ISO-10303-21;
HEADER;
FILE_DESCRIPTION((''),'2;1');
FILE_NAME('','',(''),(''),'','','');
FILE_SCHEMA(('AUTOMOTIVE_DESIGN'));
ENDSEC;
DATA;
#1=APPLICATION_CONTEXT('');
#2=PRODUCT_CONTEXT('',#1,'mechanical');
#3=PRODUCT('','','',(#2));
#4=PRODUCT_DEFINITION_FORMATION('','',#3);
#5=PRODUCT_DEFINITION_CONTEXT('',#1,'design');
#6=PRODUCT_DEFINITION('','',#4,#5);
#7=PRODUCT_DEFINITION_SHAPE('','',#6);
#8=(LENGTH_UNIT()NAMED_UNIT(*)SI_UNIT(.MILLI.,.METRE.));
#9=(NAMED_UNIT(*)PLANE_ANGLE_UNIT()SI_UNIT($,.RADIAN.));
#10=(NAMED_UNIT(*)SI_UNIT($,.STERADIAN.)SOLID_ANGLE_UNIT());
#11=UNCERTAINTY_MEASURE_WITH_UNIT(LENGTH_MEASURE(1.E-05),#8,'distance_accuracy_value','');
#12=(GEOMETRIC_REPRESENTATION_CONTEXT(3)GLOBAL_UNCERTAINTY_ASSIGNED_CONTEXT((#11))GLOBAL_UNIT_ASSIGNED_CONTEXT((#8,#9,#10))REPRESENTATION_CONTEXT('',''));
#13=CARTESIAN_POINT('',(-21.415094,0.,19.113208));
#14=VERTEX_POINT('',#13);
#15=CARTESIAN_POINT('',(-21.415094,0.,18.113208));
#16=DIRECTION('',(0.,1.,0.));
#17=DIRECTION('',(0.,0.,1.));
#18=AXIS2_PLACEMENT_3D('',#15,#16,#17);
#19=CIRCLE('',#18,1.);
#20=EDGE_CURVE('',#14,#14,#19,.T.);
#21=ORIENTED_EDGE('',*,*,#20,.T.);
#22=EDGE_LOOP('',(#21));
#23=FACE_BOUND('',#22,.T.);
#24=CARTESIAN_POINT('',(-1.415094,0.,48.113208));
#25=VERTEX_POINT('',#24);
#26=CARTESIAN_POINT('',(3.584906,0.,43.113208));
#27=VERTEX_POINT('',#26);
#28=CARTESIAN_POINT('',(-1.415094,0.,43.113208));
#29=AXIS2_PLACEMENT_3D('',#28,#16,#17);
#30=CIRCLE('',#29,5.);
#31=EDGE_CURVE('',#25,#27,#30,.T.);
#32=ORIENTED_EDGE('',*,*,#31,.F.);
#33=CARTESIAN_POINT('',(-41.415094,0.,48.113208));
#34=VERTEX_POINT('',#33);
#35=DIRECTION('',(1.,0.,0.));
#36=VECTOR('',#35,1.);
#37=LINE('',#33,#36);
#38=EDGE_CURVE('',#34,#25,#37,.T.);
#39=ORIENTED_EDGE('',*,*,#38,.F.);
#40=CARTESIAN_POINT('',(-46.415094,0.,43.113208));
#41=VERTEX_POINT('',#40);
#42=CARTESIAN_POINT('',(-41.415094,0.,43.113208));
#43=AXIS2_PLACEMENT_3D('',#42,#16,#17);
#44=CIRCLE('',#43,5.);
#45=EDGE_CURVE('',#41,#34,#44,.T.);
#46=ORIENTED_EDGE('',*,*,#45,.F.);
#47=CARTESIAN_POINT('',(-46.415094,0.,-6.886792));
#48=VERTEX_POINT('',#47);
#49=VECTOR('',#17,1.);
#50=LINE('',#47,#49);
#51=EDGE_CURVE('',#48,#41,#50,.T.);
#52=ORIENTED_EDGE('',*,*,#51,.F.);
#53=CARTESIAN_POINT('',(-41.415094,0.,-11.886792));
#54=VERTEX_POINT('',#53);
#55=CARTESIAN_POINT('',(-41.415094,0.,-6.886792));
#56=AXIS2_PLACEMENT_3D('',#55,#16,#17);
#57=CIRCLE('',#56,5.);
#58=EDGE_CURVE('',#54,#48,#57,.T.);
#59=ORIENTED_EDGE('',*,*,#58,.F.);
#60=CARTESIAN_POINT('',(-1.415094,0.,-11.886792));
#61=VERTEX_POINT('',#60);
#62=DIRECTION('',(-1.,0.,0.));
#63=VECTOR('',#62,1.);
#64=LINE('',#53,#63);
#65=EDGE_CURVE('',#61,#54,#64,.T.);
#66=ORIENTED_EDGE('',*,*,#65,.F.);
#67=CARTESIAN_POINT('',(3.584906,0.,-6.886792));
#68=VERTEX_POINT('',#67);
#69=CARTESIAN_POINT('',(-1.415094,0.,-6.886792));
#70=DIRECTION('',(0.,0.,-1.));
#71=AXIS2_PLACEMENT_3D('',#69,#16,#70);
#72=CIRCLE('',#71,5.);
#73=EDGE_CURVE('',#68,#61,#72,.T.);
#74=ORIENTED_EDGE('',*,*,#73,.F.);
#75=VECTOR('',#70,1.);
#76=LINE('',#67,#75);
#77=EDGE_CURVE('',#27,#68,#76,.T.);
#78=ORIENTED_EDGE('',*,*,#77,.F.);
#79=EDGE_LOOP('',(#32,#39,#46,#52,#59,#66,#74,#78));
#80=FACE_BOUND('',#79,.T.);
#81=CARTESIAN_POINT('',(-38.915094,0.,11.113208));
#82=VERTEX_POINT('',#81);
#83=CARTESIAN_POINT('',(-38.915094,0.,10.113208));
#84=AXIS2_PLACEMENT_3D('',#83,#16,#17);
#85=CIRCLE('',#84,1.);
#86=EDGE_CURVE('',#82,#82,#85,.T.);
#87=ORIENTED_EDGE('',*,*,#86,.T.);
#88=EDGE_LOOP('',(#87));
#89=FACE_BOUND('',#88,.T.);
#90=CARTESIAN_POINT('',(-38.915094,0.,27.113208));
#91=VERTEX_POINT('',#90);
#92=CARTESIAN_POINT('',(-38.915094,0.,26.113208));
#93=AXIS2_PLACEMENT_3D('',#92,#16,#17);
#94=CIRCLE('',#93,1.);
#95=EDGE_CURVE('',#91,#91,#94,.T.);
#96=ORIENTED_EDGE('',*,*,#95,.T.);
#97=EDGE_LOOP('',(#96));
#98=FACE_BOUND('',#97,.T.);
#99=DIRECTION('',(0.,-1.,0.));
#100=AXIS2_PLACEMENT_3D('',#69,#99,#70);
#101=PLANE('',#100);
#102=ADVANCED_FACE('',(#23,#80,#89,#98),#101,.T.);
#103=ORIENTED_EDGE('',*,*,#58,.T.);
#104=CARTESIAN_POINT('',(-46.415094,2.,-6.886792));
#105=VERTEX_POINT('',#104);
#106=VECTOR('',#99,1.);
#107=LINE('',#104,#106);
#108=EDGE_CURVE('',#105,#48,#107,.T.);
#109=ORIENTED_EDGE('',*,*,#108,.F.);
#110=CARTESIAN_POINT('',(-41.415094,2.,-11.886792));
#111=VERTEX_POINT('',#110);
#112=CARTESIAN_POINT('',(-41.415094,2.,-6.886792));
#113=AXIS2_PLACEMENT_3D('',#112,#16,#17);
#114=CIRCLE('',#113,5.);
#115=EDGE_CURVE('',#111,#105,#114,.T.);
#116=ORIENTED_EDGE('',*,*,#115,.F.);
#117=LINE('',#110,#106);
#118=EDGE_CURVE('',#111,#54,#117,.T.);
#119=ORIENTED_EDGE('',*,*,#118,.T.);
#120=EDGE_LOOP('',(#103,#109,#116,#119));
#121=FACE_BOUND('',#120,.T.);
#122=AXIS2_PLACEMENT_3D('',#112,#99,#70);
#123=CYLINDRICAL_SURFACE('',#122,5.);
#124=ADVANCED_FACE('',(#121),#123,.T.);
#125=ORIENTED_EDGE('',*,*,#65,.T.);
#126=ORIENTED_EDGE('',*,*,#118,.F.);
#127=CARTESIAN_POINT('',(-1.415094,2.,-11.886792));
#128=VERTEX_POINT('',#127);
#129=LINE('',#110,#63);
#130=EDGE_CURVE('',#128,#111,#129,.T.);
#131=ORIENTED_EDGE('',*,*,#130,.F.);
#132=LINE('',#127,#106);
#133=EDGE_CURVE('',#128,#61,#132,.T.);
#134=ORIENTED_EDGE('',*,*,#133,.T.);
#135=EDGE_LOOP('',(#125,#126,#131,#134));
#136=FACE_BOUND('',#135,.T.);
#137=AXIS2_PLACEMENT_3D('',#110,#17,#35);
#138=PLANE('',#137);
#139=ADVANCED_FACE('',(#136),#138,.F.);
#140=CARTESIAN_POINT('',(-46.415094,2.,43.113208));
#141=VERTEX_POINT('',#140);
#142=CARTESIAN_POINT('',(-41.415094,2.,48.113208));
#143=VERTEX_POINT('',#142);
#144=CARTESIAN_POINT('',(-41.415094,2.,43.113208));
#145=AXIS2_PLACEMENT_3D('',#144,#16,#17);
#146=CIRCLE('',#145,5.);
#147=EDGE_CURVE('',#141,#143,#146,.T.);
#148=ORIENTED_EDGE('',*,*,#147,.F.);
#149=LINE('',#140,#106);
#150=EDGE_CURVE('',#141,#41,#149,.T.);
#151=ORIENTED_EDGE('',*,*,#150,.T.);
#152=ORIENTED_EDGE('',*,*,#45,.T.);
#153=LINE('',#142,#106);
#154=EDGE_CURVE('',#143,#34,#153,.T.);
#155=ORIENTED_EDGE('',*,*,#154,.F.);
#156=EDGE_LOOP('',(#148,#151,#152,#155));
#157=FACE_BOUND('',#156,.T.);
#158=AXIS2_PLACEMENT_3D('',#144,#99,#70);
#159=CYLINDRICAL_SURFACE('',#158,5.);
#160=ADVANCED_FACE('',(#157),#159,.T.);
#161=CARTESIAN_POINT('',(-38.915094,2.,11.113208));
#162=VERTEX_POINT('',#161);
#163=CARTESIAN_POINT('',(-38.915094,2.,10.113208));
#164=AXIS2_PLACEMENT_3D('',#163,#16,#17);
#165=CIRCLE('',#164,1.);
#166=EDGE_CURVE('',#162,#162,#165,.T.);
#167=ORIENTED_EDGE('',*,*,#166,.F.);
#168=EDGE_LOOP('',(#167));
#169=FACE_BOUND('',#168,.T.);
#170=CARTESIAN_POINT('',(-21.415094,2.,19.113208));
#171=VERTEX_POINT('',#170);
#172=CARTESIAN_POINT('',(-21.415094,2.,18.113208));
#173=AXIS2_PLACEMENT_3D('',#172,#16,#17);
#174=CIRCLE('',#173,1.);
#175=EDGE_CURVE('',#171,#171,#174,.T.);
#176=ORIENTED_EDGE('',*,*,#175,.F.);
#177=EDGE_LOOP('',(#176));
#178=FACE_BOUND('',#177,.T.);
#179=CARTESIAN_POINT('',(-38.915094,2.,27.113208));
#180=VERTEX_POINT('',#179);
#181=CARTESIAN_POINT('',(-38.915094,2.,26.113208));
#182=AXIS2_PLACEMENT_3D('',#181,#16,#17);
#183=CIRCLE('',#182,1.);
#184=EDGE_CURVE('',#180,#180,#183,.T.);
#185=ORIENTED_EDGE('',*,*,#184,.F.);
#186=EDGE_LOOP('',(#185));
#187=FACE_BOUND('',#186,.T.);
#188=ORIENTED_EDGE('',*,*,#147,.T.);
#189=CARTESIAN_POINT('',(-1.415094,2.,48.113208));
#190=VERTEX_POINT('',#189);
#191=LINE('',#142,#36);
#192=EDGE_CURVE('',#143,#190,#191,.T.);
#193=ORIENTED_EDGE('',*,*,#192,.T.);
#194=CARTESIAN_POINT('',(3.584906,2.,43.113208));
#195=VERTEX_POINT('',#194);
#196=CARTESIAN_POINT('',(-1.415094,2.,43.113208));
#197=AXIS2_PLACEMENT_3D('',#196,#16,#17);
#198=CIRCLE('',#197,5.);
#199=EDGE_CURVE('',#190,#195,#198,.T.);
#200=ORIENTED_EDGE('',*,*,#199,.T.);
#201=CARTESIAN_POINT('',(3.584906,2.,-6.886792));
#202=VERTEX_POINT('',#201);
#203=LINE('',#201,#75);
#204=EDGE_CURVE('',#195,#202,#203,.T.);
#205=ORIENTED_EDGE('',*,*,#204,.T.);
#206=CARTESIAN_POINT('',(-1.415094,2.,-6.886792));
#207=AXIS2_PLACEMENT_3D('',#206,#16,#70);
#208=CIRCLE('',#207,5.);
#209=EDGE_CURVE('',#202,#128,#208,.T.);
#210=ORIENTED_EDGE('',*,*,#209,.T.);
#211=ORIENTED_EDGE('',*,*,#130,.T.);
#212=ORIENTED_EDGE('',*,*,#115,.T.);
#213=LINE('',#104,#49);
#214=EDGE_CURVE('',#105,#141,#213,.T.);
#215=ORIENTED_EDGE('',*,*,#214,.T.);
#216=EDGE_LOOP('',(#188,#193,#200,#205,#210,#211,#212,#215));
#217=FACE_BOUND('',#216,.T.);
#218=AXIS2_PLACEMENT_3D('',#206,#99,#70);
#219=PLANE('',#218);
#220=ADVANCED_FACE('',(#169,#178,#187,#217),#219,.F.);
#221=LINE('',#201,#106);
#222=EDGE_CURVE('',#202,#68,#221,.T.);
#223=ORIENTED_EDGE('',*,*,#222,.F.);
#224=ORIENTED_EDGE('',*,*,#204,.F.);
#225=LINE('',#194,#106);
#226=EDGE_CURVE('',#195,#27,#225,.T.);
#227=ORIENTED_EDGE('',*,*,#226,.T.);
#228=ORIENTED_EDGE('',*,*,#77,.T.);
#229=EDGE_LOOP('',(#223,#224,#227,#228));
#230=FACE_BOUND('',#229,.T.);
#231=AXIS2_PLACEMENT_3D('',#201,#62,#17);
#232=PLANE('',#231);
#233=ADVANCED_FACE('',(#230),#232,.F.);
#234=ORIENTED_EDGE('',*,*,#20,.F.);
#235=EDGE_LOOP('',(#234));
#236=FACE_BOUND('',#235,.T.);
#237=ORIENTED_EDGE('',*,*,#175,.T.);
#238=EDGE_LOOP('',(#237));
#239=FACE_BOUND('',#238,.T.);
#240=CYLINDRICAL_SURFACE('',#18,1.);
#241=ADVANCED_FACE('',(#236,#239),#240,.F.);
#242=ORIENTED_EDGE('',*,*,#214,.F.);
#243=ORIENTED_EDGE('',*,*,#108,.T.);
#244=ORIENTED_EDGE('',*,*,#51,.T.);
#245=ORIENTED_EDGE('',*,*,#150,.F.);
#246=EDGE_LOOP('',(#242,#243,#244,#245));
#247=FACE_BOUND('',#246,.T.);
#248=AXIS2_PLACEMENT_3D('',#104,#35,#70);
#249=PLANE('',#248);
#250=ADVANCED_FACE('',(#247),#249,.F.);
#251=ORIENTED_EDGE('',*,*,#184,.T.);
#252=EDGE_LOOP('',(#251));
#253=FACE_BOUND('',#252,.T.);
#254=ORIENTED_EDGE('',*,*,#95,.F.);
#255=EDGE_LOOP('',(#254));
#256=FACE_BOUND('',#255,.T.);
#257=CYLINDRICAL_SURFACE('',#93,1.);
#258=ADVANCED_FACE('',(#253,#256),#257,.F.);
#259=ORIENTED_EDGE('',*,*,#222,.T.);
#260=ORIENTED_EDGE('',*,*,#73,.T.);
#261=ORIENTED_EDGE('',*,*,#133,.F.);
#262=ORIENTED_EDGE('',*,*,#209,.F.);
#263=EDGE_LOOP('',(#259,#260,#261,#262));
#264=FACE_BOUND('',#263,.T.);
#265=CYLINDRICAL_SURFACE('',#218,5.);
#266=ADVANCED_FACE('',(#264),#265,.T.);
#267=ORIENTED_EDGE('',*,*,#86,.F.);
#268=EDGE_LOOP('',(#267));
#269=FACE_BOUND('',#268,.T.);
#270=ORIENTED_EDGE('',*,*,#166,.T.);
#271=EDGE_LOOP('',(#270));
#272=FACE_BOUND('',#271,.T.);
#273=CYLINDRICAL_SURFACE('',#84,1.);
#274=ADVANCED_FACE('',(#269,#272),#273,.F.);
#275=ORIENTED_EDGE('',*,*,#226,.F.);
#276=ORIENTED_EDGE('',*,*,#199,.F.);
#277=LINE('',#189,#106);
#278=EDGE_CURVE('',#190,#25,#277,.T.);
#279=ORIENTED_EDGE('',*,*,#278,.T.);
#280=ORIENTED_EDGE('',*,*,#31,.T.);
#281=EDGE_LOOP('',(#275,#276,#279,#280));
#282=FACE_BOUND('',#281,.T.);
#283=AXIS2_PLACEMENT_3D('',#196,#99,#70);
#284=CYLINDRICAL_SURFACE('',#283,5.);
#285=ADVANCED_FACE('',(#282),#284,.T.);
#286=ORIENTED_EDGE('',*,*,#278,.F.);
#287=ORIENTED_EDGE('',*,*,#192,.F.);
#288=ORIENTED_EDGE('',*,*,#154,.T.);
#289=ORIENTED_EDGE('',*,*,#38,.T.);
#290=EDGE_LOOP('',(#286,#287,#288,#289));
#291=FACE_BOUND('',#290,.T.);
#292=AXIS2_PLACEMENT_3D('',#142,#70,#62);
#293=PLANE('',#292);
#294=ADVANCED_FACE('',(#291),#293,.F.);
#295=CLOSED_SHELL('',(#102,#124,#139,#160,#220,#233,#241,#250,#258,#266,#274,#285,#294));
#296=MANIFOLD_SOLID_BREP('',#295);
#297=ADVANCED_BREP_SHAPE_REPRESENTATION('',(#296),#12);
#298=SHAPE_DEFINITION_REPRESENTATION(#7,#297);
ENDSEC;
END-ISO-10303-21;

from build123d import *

# Parameters (mm, degrees)
BOSS_EXTRUDE1_DEPTH = 2
SKETCH2_R           = 1
CUT_EXTRUDE1_DEPTH  = 2


with BuildPart() as part:
    # Sketch1 → Boss-Extrude1 (new body)
    with BuildSketch(Plane(origin=(0, 0, 0), x_dir=(1, 0, 0), z_dir=(0, 1, 0))):
        with BuildLine():
            Line((-41.41509434, 11.886792453), (-1.41509434, 11.886792453))
            ThreePointArc((-1.41509434, 11.886792453), (2.120439566, 10.422326359), (3.58490566, 6.886792453))
            Line((3.58490566, 6.886792453), (3.58490566, -43.113207547))
            ThreePointArc((3.58490566, -43.113207547), (2.120439566, -46.648741453), (-1.41509434, -48.113207547))
            Line((-1.41509434, -48.113207547), (-41.41509434, -48.113207547))
            ThreePointArc((-41.41509434, -48.113207547), (-44.950628246, -46.648741453), (-46.41509434, -43.113207547))
            Line((-46.41509434, -43.113207547), (-46.41509434, 6.886792453))
            ThreePointArc((-46.41509434, 6.886792453), (-44.950628246, 10.422326359), (-41.41509434, 11.886792453))
        make_face()
    extrude(amount=BOSS_EXTRUDE1_DEPTH)

    # Sketch2 → Cut-Extrude1 (cut)
    with BuildSketch(Plane(origin=(0, 2, 0), x_dir=(1, 0, 0), z_dir=(0, 1, 0))):
        with Locations(Location((-38.91509434, -10.113207547, 0), (0, 0, 270))):
            Circle(SKETCH2_R)
        with Locations(Location((-38.91509434, -26.113207547, 0), (0, 0, 270))):
            Circle(SKETCH2_R)
        with Locations(Location((-21.41509434, -18.113207547, 0), (0, 0, 270))):
            Circle(SKETCH2_R)
    extrude(amount=-CUT_EXTRUDE1_DEPTH, mode=Mode.SUBTRACT)


solid = part.part
